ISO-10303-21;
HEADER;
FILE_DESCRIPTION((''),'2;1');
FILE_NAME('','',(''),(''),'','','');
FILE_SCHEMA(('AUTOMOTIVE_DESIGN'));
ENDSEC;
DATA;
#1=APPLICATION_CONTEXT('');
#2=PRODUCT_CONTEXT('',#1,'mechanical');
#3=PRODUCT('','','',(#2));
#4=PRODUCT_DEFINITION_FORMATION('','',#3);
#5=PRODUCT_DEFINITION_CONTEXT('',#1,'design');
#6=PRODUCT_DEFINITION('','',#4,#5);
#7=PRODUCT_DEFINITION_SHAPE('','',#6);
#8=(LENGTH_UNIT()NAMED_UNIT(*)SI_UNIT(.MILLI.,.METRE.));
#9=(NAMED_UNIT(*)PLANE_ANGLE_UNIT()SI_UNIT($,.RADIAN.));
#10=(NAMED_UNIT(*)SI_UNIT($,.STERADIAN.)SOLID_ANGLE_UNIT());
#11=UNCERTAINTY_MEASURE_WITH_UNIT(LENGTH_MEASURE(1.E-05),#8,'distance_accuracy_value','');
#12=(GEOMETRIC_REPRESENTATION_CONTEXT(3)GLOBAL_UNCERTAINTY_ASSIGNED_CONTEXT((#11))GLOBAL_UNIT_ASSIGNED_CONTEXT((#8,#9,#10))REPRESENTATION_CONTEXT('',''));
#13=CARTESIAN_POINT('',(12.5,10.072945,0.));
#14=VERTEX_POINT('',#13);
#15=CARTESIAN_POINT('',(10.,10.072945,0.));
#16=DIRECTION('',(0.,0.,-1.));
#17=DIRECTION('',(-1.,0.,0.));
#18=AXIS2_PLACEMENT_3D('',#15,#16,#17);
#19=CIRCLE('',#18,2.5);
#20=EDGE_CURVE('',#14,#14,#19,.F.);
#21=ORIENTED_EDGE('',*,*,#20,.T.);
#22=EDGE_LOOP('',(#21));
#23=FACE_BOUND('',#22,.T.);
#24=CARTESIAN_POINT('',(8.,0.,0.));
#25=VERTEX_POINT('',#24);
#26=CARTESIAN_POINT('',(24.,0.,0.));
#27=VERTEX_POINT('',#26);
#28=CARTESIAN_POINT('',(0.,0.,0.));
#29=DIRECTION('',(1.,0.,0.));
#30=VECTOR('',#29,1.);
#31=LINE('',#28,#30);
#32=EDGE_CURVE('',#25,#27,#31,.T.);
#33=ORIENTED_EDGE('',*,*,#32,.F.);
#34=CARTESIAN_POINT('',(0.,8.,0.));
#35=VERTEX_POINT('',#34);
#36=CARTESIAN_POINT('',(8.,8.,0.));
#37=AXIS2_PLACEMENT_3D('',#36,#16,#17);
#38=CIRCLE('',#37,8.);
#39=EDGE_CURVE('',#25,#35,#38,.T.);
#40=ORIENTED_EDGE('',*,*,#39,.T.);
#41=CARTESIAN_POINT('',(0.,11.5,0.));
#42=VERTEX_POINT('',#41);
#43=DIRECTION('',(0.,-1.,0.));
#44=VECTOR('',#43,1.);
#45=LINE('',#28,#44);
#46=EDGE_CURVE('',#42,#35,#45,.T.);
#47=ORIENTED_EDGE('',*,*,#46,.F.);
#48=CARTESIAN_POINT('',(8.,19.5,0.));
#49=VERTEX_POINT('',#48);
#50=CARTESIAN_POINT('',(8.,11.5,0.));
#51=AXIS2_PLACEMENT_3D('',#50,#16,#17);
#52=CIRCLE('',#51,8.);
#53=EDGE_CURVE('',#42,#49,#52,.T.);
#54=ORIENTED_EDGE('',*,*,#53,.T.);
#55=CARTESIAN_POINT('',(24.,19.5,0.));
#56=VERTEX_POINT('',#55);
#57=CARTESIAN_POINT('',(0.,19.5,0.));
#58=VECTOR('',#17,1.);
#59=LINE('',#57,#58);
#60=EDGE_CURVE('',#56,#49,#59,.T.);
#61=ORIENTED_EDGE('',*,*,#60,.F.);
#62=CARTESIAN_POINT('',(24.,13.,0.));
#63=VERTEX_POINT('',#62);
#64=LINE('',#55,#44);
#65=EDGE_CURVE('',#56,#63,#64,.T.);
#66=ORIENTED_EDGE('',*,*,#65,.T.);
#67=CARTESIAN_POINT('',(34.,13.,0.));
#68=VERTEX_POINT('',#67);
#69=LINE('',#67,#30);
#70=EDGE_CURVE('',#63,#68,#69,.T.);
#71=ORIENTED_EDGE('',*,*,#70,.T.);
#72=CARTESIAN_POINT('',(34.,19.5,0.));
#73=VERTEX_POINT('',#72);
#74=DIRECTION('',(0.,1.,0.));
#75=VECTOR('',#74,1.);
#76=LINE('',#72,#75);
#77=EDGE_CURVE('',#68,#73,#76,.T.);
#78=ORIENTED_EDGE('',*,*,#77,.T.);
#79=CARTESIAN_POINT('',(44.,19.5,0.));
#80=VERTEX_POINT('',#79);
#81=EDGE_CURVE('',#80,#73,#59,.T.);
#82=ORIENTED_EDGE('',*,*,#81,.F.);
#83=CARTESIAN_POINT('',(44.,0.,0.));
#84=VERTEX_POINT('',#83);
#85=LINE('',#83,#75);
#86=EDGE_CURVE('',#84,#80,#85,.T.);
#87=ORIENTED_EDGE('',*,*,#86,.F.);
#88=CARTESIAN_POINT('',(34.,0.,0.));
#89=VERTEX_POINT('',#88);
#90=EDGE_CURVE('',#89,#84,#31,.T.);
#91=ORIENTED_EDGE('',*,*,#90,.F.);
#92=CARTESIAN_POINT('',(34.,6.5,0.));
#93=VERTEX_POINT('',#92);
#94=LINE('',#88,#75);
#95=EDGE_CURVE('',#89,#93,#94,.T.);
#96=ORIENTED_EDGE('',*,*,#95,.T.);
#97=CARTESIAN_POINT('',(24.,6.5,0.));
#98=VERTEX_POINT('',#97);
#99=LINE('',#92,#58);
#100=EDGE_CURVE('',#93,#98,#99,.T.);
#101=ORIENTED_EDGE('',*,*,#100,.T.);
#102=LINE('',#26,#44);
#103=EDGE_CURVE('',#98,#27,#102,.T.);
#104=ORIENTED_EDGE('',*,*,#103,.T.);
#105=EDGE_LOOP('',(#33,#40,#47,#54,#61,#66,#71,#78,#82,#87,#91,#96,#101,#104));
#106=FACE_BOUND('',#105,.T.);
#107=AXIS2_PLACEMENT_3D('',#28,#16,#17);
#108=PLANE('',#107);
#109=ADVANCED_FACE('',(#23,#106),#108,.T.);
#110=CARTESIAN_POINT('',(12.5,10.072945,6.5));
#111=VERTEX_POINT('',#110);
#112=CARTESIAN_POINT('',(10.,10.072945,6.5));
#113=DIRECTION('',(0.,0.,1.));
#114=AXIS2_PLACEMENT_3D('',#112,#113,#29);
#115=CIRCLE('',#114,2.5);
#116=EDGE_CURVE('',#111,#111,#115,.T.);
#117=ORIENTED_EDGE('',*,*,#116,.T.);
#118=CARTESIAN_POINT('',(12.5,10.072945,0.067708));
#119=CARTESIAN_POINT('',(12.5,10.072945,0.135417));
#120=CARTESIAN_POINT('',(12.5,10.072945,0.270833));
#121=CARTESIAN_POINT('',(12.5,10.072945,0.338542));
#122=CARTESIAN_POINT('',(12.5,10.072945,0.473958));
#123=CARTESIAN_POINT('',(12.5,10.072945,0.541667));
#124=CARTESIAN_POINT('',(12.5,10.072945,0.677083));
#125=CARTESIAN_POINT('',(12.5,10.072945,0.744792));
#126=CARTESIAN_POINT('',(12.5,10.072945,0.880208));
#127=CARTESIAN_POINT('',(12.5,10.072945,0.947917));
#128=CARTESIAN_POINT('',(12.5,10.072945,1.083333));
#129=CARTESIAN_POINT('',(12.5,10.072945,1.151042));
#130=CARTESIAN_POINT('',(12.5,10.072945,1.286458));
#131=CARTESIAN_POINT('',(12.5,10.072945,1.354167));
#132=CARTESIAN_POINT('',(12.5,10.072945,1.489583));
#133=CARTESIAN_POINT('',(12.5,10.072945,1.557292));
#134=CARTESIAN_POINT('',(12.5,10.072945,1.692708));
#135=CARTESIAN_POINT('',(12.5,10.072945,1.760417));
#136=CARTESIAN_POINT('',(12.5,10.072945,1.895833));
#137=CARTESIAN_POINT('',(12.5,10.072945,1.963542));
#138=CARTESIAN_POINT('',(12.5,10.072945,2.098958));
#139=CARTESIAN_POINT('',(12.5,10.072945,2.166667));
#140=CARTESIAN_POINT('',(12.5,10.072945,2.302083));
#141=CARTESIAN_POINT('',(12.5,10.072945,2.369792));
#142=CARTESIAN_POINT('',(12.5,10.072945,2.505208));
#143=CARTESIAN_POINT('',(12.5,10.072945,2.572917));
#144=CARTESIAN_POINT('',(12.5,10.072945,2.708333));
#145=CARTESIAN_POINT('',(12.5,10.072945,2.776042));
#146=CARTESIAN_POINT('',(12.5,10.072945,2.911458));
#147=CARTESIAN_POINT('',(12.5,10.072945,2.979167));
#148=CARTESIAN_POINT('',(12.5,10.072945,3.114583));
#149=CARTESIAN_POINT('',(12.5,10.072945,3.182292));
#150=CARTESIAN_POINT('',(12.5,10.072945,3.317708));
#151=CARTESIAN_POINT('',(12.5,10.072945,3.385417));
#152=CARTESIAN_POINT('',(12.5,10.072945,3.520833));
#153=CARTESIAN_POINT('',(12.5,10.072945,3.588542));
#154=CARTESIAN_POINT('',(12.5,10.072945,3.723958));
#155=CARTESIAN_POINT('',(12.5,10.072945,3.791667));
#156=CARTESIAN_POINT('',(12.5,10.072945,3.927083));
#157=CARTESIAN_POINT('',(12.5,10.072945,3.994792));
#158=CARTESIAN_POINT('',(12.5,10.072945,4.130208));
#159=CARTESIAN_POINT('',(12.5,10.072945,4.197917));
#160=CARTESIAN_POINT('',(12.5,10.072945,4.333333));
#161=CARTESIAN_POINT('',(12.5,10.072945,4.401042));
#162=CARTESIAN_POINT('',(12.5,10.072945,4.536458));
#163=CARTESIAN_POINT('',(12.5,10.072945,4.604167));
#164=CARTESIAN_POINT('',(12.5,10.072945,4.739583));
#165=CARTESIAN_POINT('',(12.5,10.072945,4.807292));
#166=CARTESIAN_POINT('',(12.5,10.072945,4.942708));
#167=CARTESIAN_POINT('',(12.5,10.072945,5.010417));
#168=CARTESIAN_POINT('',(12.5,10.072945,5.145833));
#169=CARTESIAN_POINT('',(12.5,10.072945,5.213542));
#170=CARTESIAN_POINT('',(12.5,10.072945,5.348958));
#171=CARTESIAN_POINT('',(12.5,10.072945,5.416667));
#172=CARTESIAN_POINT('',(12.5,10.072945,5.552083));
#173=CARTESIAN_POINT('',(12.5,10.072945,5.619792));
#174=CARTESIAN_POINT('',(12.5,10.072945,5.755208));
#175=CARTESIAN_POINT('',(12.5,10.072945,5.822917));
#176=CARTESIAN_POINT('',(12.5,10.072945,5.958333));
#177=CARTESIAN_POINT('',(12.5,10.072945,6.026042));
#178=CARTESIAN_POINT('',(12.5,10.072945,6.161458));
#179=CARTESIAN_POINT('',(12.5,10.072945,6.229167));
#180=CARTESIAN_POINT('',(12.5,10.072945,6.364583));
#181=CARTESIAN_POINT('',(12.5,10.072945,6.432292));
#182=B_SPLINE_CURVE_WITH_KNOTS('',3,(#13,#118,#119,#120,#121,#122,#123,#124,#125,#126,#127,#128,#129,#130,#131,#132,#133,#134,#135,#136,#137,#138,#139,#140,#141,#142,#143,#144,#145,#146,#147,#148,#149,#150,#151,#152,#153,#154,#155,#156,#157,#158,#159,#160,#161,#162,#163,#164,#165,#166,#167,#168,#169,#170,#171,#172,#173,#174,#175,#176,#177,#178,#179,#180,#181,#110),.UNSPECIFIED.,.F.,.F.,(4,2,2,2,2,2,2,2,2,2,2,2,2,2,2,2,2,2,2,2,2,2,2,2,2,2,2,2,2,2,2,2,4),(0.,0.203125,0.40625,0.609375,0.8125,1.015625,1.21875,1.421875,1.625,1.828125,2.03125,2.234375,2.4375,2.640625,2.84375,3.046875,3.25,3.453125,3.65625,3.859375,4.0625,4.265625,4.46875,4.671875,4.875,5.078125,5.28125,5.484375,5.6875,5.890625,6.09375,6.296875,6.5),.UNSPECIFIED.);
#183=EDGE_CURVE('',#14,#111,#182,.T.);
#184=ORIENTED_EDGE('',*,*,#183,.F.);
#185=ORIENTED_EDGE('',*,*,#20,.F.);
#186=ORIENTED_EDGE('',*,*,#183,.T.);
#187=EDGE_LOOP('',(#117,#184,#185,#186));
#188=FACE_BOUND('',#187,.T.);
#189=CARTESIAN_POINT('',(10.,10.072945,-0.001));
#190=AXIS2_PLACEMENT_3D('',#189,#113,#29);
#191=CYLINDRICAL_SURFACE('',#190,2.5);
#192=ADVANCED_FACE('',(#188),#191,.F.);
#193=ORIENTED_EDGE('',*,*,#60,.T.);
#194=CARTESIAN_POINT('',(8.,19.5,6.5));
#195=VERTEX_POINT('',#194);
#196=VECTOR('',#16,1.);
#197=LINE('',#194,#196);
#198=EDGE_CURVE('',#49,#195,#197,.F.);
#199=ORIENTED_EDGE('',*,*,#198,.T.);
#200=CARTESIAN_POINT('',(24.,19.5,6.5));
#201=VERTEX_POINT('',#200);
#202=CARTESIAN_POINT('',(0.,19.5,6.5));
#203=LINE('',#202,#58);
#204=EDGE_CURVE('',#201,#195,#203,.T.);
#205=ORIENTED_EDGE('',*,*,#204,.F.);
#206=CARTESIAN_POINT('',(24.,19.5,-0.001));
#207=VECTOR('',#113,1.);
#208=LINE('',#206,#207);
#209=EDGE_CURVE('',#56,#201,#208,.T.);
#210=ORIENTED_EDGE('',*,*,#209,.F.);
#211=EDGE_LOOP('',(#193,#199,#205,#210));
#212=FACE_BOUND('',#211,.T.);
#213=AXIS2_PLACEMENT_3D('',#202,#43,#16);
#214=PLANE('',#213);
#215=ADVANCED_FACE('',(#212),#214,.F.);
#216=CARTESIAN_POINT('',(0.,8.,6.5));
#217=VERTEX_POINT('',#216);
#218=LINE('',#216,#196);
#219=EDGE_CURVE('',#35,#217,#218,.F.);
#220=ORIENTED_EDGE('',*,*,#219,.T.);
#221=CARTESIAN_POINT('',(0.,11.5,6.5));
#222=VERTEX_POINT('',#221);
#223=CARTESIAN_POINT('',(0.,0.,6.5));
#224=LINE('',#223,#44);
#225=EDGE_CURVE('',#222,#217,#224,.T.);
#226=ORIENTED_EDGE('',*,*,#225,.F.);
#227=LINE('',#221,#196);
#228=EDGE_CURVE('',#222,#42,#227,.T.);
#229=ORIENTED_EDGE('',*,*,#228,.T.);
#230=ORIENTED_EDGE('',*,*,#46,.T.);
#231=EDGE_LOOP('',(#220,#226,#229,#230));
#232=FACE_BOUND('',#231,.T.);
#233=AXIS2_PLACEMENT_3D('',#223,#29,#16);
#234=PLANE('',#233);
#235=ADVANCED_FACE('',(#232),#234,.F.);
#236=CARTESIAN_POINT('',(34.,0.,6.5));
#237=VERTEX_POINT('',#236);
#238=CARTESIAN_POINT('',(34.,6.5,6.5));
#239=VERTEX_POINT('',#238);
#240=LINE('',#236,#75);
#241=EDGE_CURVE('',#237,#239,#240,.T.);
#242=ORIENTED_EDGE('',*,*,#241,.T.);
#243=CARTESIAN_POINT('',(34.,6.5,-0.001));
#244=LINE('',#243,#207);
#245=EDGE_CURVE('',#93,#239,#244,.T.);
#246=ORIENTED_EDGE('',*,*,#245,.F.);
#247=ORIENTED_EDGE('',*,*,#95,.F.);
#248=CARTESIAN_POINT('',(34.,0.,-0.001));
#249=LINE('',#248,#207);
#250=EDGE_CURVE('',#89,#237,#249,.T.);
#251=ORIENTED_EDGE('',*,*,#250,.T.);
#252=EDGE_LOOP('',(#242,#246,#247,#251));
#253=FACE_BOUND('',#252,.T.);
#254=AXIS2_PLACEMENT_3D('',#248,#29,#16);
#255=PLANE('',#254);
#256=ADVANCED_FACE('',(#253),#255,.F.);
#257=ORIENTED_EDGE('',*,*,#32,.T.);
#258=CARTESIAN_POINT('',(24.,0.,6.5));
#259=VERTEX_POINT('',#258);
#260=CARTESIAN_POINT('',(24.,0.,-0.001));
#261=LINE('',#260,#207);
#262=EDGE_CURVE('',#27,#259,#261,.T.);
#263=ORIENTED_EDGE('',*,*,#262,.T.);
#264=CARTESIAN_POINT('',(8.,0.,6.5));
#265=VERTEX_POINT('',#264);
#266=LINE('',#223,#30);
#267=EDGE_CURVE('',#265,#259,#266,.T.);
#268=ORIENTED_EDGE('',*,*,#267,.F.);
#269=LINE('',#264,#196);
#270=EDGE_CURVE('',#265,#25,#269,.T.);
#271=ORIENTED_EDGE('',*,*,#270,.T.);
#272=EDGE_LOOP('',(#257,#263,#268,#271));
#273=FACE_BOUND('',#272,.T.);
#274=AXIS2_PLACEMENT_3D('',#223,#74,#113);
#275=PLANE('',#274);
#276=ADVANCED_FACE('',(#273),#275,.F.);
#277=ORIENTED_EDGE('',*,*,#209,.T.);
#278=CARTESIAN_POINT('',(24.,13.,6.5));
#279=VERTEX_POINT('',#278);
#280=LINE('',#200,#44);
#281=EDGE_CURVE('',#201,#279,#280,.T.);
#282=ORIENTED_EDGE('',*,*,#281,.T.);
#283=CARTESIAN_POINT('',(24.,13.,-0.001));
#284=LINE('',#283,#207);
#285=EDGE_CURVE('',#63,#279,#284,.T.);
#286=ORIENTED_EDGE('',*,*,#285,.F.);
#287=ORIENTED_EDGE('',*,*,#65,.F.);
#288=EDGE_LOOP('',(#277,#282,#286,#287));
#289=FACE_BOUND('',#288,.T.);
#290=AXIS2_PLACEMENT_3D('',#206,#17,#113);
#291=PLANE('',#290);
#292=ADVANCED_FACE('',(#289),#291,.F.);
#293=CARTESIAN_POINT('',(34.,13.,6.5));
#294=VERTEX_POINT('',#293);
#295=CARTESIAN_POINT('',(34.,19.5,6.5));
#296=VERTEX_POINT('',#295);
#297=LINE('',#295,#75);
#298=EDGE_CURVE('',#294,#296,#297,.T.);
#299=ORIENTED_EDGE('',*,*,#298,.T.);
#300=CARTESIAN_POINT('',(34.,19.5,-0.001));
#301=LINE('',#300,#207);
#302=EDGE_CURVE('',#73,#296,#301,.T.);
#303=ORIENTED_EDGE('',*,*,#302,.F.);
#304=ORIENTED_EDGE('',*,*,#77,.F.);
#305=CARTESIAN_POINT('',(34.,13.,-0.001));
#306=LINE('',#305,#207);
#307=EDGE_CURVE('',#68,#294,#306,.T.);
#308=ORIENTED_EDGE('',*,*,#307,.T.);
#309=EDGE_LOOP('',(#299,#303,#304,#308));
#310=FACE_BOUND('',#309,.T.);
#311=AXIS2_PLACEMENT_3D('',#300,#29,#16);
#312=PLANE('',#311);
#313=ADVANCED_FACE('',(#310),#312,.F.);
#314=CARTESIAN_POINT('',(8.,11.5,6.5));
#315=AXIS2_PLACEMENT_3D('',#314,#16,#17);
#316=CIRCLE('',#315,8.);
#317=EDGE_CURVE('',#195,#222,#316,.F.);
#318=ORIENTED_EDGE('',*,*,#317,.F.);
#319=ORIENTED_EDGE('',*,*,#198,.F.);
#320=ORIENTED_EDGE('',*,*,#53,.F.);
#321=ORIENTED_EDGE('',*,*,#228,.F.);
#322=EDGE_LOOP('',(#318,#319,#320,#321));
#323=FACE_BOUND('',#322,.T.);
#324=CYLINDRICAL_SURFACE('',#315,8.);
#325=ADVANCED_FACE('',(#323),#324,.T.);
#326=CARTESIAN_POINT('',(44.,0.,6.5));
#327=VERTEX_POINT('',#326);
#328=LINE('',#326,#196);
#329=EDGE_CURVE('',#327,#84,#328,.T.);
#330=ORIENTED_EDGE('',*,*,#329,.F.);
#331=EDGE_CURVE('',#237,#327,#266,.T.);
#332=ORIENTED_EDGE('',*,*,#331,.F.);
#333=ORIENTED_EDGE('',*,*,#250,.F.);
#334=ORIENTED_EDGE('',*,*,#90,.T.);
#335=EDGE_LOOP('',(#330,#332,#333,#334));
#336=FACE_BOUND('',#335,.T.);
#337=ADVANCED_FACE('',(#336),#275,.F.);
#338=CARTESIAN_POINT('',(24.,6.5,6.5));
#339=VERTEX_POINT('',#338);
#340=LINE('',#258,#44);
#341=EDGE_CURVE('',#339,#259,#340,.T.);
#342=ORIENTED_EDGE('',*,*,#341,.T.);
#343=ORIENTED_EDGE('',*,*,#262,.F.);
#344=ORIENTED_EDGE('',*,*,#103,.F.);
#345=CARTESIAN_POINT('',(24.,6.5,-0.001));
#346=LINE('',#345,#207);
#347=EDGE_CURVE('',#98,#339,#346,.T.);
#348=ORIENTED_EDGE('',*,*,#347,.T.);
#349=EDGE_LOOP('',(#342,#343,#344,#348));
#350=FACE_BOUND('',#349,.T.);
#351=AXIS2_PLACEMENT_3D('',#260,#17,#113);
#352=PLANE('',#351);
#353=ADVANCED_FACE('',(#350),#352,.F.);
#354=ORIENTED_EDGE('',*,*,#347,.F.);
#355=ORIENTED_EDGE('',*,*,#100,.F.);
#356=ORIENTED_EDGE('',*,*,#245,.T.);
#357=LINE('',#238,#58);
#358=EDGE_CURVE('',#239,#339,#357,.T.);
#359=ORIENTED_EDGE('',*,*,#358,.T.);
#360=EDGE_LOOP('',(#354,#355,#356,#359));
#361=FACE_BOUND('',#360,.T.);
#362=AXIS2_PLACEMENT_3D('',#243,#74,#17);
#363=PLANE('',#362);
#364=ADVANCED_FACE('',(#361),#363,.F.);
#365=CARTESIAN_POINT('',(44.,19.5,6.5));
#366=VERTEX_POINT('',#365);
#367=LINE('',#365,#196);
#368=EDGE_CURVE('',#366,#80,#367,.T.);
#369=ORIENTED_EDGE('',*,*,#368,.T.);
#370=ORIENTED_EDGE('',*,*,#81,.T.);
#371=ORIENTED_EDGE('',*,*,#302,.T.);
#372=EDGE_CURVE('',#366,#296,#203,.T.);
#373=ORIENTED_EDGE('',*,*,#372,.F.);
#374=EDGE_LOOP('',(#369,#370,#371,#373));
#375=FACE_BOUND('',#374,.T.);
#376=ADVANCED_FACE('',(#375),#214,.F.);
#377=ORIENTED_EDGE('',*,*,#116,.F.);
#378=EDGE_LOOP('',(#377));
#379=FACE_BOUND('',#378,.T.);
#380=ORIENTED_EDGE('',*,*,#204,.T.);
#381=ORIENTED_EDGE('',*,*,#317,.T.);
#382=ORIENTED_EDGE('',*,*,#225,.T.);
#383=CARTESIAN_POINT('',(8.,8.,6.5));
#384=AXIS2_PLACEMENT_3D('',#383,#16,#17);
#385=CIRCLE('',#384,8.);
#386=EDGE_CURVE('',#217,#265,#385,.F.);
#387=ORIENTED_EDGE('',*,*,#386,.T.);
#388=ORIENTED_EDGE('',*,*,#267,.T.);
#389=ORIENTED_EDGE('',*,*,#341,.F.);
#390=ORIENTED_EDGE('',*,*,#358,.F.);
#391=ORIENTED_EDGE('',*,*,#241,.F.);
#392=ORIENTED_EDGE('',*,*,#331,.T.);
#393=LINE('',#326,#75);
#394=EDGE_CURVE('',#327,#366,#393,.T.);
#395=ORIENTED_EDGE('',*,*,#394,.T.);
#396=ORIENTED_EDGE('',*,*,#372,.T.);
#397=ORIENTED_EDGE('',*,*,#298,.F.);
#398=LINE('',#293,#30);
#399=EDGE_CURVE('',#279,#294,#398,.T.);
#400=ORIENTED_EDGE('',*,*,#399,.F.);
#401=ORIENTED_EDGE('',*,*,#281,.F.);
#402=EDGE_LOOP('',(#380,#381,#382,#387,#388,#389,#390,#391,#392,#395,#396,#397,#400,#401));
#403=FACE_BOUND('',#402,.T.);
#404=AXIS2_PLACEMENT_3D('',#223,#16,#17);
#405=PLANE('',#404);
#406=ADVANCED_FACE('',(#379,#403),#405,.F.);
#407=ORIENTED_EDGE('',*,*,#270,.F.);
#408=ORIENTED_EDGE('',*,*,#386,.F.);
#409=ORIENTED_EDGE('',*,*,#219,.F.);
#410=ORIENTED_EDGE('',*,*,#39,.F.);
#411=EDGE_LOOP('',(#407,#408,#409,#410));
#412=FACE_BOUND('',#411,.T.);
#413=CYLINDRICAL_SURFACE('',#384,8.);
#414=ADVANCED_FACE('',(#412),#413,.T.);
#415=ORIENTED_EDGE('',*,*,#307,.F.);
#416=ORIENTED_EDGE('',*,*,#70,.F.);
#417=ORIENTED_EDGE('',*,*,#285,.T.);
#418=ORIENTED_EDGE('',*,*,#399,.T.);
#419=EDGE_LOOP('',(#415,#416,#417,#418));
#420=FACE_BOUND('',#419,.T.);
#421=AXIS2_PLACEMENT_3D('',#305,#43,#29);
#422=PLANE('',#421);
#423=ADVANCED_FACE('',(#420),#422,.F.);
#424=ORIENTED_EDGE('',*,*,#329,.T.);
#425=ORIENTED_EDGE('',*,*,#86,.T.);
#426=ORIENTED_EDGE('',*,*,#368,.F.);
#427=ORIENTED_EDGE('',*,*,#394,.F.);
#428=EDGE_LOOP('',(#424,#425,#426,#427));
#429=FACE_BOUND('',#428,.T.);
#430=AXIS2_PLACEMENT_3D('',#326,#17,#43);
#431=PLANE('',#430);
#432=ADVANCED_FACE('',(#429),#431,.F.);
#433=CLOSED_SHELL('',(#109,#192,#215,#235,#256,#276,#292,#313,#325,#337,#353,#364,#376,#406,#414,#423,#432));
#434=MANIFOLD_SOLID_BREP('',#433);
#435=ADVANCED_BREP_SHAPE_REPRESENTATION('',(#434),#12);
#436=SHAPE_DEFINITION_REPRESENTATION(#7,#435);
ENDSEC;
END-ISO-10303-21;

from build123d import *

# Parameters (mm, degrees)
SKETCH1_W           = 44
SKETCH1_H           = 19.5
BOSS_EXTRUDE1_DEPTH = 6.5
CUT_EXTRUDE1_REACH  = 50.564
SKETCH2_W           = 10
SKETCH2_H           = 6.5
FILLET1_R           = 8
CUT_EXTRUDE2_REACH  = 50.564
SKETCH3_R           = 2.5


with BuildPart() as part:
    # Sketch1 → Boss-Extrude1 (new body)
    with BuildSketch(Plane.XY):
        with Locations((22, 9.75)):
            Rectangle(SKETCH1_W, SKETCH1_H)
    extrude(amount=BOSS_EXTRUDE1_DEPTH)

    # Sketch2 → Cut-Extrude1 (cut, up to next)
    with BuildSketch(Plane.XY.offset(6.5), mode=Mode.PRIVATE) as cut_extrude1_sk1:
        with Locations((29, 16.25)):
            Rectangle(SKETCH2_W, SKETCH2_H)
    cut_extrude1_tool1 = extrude(cut_extrude1_sk1.sketch, amount=-CUT_EXTRUDE1_REACH, mode=Mode.PRIVATE) & part.part
    # Sketch2 → Cut-Extrude1 (cut, up to next)
    with BuildSketch(Plane.XY.offset(6.5), mode=Mode.PRIVATE) as cut_extrude1_sk2:
        with Locations((29, 3.25)):
            Rectangle(SKETCH2_W, SKETCH2_H)
    cut_extrude1_tool2 = extrude(cut_extrude1_sk2.sketch, amount=-CUT_EXTRUDE1_REACH, mode=Mode.PRIVATE) & part.part
    add(cut_extrude1_tool1.solids().sort_by_distance((29, 16.25, 6.5))[0], mode=Mode.SUBTRACT)
    add(cut_extrude1_tool2.solids().sort_by_distance((29, 3.25, 6.5))[0], mode=Mode.SUBTRACT)

    # Fillet1
    fillet1_edges = [part.edges().sort_by_distance(p)[0] for p in [
        (0, 19.5, 3.25),
        (0, 0, 3.25),
    ]]
    fillet(fillet1_edges, radius=FILLET1_R)

    # Sketch3 → Cut-Extrude2 (cut, up to next)
    with BuildSketch(Plane.XY.offset(6.5), mode=Mode.PRIVATE) as cut_extrude2_sk1:
        with Locations((10, 10.072944896)):
            Circle(SKETCH3_R)
    cut_extrude2_tool1 = extrude(cut_extrude2_sk1.sketch, amount=-CUT_EXTRUDE2_REACH, mode=Mode.PRIVATE) & part.part
    add(cut_extrude2_tool1.solids().sort_by_distance((10, 10.072945, 6.5))[0], mode=Mode.SUBTRACT)


solid = part.part
